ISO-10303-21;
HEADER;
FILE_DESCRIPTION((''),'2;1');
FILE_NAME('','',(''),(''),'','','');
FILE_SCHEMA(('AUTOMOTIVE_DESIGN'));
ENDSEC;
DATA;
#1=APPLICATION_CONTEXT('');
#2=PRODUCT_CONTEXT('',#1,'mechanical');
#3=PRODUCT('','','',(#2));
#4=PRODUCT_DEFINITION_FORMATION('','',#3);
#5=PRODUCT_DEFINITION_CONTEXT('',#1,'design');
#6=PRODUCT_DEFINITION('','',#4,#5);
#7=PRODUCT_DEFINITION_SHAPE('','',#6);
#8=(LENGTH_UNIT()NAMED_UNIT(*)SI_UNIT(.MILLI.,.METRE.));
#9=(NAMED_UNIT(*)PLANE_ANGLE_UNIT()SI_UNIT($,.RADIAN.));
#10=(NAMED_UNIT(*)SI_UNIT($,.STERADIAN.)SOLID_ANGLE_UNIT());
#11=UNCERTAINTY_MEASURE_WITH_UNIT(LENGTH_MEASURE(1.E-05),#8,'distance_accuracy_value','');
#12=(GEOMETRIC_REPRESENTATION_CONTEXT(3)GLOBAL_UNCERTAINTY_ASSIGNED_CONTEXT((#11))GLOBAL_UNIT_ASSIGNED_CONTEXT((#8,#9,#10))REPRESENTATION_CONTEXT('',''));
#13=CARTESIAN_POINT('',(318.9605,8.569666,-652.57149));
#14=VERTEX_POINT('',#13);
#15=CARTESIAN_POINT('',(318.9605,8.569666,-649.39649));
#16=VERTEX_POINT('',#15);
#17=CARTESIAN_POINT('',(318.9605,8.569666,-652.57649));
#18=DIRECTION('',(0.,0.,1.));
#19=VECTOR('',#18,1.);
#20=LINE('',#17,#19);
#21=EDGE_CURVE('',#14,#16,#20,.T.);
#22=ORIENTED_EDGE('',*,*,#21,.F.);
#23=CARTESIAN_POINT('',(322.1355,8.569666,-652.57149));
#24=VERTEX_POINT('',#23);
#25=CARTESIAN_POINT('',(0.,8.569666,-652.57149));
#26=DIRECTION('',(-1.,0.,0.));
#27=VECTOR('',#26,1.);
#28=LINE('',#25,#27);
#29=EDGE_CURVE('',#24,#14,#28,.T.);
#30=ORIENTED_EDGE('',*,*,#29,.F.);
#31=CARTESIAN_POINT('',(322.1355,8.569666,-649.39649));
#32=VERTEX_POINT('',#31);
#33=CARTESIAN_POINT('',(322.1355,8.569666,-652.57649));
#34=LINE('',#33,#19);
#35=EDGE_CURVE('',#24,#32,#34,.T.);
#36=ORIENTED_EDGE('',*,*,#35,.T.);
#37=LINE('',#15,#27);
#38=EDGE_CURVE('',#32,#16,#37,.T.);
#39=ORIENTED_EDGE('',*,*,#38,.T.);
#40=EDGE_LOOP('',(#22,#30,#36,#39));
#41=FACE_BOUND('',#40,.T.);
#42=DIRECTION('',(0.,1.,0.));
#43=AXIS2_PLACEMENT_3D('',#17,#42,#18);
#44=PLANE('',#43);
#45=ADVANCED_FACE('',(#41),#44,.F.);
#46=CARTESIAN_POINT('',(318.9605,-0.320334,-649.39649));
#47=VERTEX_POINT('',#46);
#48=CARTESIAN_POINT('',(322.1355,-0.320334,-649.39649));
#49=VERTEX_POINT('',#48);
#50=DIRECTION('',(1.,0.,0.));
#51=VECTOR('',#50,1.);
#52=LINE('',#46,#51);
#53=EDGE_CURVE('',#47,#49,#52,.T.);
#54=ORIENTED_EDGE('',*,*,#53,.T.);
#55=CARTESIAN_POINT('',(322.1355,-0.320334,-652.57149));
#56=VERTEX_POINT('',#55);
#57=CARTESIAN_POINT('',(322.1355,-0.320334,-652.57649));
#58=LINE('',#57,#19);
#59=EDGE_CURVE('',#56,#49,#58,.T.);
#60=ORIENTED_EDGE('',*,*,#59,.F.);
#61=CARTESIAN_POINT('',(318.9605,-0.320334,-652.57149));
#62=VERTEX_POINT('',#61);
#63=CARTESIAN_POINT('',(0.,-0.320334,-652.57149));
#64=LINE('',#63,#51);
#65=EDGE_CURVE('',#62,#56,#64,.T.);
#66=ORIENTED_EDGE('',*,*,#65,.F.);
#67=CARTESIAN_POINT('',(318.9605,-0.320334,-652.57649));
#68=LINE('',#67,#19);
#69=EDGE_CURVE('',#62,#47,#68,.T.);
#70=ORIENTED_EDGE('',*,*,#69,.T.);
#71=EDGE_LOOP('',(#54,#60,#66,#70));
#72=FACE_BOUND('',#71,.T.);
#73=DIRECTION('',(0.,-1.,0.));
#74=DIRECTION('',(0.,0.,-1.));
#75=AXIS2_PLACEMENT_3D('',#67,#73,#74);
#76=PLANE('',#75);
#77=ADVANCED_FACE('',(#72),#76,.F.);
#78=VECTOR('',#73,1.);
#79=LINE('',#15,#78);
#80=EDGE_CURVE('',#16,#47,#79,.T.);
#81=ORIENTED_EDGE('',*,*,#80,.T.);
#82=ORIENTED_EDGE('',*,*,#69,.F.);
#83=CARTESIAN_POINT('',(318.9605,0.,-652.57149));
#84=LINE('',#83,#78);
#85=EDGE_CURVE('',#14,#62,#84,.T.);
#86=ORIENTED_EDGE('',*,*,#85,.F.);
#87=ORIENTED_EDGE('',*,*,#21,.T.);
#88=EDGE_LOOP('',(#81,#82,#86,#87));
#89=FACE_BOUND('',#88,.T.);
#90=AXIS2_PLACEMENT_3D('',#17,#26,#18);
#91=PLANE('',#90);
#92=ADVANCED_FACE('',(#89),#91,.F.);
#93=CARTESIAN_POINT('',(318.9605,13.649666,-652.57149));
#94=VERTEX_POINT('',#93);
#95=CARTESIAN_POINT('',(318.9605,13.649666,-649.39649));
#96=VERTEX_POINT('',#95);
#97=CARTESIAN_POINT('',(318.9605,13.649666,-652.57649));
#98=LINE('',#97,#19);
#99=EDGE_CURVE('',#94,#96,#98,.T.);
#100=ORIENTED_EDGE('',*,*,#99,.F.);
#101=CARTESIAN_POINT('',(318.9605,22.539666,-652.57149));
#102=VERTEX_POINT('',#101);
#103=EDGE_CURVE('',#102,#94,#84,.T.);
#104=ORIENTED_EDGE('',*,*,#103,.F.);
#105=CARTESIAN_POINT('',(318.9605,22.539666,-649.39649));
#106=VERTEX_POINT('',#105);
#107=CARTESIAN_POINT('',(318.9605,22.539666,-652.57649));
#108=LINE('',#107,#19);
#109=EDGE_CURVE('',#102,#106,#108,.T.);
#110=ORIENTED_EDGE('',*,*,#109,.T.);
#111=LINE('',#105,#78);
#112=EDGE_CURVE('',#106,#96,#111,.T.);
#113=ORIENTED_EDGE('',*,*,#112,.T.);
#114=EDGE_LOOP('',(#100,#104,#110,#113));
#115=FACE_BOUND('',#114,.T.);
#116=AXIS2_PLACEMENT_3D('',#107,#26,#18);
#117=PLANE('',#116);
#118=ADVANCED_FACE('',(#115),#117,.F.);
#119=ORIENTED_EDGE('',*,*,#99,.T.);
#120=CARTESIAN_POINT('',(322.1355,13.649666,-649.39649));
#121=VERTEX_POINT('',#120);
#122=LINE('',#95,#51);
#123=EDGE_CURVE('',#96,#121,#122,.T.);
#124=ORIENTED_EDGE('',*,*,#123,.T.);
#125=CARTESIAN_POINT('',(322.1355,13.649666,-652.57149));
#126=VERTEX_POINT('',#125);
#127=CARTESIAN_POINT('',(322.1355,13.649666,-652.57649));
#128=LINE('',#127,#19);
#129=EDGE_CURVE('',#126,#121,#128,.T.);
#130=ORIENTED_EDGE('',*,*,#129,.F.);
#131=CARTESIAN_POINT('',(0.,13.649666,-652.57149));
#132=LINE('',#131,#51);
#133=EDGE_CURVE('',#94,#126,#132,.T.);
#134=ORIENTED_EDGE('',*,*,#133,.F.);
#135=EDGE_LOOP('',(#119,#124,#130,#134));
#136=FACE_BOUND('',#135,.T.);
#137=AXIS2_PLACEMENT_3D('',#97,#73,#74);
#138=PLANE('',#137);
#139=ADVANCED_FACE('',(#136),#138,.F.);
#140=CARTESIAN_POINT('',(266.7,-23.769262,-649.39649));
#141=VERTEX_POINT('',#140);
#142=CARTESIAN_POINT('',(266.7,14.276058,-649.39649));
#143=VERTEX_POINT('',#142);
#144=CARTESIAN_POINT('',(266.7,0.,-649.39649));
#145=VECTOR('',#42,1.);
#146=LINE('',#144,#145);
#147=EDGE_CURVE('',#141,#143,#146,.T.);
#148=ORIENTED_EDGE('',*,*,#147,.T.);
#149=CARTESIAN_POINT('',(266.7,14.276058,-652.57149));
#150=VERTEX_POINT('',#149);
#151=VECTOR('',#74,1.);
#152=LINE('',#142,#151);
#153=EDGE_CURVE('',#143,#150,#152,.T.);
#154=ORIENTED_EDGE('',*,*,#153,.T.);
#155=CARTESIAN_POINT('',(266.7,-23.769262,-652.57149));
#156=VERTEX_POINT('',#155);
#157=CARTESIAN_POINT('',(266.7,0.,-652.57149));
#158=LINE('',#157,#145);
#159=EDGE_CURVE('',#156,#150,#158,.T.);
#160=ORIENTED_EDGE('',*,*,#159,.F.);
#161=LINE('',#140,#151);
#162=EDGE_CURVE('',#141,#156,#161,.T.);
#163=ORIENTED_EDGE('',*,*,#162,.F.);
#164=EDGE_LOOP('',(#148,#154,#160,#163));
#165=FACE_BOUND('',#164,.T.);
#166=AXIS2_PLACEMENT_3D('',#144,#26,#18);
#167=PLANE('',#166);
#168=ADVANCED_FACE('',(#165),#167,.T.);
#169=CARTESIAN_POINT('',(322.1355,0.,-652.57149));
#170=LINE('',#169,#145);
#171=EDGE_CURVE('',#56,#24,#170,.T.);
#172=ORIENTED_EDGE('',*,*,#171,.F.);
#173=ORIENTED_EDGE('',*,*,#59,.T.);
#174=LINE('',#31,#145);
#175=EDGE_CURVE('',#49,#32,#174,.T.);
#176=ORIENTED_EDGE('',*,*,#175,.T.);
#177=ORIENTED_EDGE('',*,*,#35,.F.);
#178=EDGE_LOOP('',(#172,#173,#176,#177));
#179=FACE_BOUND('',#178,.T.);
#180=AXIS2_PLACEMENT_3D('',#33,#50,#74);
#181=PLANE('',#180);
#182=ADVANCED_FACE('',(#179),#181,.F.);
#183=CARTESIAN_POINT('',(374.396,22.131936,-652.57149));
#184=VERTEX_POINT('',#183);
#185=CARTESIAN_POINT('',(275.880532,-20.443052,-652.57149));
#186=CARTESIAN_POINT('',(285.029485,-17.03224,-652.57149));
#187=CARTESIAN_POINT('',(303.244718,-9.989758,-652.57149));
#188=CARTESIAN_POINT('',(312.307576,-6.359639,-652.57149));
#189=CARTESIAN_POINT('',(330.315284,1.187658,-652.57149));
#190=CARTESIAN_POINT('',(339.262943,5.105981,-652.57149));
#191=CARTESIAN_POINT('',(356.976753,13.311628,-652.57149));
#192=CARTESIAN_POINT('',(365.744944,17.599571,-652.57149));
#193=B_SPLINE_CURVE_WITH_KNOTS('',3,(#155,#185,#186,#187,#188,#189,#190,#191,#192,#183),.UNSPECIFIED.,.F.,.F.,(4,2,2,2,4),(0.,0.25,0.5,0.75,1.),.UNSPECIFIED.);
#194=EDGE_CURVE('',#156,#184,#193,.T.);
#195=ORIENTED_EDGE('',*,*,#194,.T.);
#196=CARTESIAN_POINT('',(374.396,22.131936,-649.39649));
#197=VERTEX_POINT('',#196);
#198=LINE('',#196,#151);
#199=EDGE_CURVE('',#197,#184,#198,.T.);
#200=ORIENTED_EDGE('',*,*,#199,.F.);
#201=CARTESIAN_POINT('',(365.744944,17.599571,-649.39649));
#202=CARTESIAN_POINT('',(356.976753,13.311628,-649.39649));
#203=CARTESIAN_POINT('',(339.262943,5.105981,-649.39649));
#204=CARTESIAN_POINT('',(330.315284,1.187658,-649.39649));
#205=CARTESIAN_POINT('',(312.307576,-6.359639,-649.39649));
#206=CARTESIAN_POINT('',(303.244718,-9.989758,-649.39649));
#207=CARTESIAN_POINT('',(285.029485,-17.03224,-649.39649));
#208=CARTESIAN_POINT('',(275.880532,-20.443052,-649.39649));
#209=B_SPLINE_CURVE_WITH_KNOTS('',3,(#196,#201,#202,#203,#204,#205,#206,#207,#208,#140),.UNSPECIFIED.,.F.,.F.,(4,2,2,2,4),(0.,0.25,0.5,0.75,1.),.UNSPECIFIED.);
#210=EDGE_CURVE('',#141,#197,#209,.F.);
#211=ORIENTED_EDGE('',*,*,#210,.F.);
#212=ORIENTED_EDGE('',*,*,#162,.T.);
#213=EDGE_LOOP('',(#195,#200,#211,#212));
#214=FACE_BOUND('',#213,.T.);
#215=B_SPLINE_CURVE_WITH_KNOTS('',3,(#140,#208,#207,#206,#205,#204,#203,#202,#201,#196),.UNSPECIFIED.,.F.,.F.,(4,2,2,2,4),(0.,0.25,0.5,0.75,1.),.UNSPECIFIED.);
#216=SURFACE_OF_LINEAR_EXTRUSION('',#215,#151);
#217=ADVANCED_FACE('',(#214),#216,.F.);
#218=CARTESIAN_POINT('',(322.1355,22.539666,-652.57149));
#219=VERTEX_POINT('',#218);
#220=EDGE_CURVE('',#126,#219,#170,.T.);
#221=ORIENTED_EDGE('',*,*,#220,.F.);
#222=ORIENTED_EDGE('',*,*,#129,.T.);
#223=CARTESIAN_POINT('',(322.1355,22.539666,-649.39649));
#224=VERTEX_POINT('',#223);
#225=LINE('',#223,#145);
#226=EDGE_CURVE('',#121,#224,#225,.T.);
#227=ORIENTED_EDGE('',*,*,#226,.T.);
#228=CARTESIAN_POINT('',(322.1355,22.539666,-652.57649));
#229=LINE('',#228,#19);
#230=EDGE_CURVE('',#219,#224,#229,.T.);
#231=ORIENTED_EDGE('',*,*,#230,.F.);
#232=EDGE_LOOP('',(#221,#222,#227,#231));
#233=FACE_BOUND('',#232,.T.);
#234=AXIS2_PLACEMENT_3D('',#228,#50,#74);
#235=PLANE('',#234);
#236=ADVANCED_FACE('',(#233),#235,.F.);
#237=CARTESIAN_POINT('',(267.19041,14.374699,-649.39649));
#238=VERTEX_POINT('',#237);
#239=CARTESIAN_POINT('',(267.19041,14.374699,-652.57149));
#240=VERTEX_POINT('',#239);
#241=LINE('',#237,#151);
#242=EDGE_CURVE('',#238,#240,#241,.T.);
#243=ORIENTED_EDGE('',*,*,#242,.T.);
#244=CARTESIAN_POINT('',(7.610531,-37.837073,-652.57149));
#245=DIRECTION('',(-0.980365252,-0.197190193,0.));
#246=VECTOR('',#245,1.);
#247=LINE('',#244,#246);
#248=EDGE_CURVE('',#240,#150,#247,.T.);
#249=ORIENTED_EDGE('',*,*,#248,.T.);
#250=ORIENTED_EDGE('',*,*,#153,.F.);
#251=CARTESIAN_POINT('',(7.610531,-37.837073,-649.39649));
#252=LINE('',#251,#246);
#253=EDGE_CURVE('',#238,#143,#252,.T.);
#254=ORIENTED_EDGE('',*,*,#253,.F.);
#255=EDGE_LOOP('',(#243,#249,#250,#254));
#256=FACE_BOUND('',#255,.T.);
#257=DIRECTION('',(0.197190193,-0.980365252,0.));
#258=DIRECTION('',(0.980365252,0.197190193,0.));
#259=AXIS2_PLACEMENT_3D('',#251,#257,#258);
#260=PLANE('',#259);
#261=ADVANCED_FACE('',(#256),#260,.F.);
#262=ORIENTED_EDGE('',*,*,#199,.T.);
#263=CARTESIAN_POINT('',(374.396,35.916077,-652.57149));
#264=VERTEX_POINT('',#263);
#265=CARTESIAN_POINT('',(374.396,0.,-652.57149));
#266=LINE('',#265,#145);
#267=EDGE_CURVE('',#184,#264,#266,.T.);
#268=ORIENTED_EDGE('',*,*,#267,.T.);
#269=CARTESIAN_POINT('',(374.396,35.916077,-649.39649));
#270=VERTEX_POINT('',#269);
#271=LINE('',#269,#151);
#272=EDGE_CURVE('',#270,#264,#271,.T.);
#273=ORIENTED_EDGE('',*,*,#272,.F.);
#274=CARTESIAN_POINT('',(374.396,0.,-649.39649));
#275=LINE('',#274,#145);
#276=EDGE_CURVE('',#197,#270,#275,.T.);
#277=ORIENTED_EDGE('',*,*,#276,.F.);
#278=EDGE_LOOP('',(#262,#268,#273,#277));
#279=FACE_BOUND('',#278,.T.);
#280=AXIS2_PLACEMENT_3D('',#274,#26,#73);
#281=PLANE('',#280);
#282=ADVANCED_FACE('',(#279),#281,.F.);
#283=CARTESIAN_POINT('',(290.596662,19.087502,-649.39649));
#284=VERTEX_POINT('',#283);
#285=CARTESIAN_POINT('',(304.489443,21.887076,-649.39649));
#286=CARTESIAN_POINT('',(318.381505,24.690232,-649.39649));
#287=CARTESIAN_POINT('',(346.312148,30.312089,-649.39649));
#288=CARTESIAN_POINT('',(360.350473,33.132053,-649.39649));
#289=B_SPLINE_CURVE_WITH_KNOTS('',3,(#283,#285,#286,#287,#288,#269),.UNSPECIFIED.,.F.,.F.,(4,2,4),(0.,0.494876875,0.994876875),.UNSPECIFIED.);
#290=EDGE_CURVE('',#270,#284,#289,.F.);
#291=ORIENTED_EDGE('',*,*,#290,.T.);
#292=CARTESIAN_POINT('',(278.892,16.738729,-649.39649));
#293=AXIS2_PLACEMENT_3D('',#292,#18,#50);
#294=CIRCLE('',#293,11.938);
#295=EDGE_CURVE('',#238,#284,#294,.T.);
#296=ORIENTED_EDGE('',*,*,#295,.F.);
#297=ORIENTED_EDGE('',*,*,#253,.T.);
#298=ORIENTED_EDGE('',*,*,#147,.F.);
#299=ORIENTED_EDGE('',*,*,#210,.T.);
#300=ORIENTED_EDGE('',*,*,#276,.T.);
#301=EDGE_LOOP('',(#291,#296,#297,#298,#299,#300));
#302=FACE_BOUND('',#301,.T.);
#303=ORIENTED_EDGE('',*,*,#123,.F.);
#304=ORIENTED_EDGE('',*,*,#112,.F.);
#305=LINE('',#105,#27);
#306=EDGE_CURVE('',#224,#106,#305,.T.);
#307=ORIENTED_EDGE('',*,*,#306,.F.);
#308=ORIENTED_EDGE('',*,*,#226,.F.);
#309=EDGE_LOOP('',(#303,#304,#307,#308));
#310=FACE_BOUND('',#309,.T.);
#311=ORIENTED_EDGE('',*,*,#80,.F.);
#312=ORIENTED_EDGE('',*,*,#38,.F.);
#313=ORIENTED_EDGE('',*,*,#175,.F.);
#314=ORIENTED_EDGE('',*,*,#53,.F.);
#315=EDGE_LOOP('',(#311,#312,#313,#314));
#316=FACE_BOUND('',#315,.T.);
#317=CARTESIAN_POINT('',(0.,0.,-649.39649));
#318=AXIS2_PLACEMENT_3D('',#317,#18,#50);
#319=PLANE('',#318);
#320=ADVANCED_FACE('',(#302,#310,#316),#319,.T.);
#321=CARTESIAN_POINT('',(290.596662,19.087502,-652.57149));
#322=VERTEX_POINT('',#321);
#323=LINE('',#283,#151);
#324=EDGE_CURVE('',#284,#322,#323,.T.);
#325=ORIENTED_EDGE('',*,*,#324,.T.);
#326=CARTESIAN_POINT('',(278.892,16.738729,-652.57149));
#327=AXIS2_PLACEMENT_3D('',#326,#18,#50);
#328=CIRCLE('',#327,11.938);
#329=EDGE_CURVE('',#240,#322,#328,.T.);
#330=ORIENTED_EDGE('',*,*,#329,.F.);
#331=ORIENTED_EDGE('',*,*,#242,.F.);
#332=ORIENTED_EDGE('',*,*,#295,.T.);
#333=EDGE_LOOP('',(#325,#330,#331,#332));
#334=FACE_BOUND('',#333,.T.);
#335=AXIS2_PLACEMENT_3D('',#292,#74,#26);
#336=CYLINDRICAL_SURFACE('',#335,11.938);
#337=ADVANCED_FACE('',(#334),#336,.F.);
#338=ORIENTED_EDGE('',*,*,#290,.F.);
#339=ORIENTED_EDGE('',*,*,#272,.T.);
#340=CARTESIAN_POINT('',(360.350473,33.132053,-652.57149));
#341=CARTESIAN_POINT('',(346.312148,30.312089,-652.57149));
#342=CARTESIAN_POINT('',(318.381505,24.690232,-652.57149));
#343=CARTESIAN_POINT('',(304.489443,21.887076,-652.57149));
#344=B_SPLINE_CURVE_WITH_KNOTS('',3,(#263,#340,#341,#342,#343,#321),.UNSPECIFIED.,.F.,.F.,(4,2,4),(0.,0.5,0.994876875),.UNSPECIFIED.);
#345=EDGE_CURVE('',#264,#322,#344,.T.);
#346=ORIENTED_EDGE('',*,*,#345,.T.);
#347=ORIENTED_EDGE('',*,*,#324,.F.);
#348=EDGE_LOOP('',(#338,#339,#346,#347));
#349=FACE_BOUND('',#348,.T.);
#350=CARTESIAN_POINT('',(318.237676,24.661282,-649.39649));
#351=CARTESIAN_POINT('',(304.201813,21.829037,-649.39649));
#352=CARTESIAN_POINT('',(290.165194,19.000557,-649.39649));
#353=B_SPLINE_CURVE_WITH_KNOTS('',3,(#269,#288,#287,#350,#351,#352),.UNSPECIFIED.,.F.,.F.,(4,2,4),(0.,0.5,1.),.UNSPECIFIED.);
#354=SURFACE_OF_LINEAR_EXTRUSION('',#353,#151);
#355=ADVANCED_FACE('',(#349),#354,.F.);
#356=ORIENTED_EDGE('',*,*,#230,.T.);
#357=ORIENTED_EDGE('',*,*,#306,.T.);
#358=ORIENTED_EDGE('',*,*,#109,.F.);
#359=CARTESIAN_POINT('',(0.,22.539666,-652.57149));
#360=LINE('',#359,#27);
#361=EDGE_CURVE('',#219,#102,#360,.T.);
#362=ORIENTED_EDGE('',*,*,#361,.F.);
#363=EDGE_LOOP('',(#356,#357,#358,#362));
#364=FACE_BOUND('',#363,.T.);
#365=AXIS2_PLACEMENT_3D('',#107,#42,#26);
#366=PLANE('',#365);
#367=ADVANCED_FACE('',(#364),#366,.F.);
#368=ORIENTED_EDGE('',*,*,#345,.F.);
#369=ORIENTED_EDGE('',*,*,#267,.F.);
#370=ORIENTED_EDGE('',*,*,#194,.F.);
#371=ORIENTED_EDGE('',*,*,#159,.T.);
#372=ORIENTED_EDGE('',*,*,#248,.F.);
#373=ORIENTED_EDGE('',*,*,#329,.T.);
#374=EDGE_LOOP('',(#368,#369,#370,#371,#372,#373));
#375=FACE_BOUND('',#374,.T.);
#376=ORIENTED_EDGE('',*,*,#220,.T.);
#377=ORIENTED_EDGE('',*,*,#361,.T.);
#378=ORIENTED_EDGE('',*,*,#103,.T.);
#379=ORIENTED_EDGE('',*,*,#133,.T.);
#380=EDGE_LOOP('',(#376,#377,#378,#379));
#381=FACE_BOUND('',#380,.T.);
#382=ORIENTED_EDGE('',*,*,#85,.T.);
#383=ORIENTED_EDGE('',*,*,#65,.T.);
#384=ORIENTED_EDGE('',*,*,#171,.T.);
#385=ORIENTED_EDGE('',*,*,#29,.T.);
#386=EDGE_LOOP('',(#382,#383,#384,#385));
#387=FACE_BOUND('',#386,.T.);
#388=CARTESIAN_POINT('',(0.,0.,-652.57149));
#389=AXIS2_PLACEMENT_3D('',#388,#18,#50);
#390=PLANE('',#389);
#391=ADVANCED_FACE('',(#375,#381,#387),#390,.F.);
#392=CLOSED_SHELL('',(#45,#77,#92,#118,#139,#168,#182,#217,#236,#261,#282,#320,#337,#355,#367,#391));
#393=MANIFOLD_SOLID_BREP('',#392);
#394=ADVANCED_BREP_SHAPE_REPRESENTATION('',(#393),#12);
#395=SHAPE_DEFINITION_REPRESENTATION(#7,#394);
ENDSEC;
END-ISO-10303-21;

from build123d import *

# Parameters (mm, degrees)
BOSS_EXTRUDE1_DEPTH = 3.175
SKETCH7_W           = 3.175
SKETCH7_H           = 8.89
CUT_EXTRUDE1_DEPTH  = 377.128183046


with BuildPart() as part:
    # Sketch3 → Boss-Extrude1 (new body)
    with BuildSketch(Plane.XY.offset(-652.571489798)):
        with BuildLine():
            Line((267.190410107, 14.374698747), (266.97653556, 14.331680124))
            Line((266.97653556, 14.331680124), (266.7, 14.276057895))
            Line((266.7, 14.276057895), (266.7, -23.769261632))
            add(Edge.make_bspline(
                [(266.7, -23.769261632), (275.880532182, -20.443051724), (285.029484636, -17.032239756), (303.244718304, -9.989758223), (312.307576038, -6.359638962), (330.31528392, 1.18765824), (339.262942891, 5.105981061), (356.976752757, 13.311628375), (365.744943517, 17.599570981), (374.396, 22.131936474)],
                knots=[0, 0, 0, 0, 0.25, 0.25, 0.5, 0.5, 0.75, 0.75, 1, 1, 1, 1], degree=3))
            Line((374.396, 22.131936474), (374.396, 35.91607659))
            add(Edge.make_bspline(
                [(374.396, 35.91607659), (360.350473035, 33.13205344), (346.312147582, 30.312088758), (318.38150515, 24.690232007), (304.489443265, 21.887076072), (290.596661876, 19.087501725)],
                knots=[0, 0, 0, 0, 0.5, 0.5, 0.994876875, 0.994876875, 0.994876875, 0.994876875], degree=3))
            ThreePointArc((290.596661876, 19.087501725), (290.771522244, 17.918896248), (290.83, 16.738728775))
            ThreePointArc((290.83, 16.738728775), (280.079910741, 4.859978333), (267.190410107, 14.374698747))
        make_face()
    extrude(amount=BOSS_EXTRUDE1_DEPTH)

    # Sketch7 → Cut-Extrude1 (cut, through all)
    with BuildSketch(Plane.XY.offset(-649.396489798)):
        with Locations((320.548, 18.094665768)):
            Rectangle(SKETCH7_W, SKETCH7_H)
        with Locations((320.548, 4.124665768)):
            Rectangle(SKETCH7_W, SKETCH7_H)
    extrude(amount=-CUT_EXTRUDE1_DEPTH, mode=Mode.SUBTRACT)


solid = part.part
